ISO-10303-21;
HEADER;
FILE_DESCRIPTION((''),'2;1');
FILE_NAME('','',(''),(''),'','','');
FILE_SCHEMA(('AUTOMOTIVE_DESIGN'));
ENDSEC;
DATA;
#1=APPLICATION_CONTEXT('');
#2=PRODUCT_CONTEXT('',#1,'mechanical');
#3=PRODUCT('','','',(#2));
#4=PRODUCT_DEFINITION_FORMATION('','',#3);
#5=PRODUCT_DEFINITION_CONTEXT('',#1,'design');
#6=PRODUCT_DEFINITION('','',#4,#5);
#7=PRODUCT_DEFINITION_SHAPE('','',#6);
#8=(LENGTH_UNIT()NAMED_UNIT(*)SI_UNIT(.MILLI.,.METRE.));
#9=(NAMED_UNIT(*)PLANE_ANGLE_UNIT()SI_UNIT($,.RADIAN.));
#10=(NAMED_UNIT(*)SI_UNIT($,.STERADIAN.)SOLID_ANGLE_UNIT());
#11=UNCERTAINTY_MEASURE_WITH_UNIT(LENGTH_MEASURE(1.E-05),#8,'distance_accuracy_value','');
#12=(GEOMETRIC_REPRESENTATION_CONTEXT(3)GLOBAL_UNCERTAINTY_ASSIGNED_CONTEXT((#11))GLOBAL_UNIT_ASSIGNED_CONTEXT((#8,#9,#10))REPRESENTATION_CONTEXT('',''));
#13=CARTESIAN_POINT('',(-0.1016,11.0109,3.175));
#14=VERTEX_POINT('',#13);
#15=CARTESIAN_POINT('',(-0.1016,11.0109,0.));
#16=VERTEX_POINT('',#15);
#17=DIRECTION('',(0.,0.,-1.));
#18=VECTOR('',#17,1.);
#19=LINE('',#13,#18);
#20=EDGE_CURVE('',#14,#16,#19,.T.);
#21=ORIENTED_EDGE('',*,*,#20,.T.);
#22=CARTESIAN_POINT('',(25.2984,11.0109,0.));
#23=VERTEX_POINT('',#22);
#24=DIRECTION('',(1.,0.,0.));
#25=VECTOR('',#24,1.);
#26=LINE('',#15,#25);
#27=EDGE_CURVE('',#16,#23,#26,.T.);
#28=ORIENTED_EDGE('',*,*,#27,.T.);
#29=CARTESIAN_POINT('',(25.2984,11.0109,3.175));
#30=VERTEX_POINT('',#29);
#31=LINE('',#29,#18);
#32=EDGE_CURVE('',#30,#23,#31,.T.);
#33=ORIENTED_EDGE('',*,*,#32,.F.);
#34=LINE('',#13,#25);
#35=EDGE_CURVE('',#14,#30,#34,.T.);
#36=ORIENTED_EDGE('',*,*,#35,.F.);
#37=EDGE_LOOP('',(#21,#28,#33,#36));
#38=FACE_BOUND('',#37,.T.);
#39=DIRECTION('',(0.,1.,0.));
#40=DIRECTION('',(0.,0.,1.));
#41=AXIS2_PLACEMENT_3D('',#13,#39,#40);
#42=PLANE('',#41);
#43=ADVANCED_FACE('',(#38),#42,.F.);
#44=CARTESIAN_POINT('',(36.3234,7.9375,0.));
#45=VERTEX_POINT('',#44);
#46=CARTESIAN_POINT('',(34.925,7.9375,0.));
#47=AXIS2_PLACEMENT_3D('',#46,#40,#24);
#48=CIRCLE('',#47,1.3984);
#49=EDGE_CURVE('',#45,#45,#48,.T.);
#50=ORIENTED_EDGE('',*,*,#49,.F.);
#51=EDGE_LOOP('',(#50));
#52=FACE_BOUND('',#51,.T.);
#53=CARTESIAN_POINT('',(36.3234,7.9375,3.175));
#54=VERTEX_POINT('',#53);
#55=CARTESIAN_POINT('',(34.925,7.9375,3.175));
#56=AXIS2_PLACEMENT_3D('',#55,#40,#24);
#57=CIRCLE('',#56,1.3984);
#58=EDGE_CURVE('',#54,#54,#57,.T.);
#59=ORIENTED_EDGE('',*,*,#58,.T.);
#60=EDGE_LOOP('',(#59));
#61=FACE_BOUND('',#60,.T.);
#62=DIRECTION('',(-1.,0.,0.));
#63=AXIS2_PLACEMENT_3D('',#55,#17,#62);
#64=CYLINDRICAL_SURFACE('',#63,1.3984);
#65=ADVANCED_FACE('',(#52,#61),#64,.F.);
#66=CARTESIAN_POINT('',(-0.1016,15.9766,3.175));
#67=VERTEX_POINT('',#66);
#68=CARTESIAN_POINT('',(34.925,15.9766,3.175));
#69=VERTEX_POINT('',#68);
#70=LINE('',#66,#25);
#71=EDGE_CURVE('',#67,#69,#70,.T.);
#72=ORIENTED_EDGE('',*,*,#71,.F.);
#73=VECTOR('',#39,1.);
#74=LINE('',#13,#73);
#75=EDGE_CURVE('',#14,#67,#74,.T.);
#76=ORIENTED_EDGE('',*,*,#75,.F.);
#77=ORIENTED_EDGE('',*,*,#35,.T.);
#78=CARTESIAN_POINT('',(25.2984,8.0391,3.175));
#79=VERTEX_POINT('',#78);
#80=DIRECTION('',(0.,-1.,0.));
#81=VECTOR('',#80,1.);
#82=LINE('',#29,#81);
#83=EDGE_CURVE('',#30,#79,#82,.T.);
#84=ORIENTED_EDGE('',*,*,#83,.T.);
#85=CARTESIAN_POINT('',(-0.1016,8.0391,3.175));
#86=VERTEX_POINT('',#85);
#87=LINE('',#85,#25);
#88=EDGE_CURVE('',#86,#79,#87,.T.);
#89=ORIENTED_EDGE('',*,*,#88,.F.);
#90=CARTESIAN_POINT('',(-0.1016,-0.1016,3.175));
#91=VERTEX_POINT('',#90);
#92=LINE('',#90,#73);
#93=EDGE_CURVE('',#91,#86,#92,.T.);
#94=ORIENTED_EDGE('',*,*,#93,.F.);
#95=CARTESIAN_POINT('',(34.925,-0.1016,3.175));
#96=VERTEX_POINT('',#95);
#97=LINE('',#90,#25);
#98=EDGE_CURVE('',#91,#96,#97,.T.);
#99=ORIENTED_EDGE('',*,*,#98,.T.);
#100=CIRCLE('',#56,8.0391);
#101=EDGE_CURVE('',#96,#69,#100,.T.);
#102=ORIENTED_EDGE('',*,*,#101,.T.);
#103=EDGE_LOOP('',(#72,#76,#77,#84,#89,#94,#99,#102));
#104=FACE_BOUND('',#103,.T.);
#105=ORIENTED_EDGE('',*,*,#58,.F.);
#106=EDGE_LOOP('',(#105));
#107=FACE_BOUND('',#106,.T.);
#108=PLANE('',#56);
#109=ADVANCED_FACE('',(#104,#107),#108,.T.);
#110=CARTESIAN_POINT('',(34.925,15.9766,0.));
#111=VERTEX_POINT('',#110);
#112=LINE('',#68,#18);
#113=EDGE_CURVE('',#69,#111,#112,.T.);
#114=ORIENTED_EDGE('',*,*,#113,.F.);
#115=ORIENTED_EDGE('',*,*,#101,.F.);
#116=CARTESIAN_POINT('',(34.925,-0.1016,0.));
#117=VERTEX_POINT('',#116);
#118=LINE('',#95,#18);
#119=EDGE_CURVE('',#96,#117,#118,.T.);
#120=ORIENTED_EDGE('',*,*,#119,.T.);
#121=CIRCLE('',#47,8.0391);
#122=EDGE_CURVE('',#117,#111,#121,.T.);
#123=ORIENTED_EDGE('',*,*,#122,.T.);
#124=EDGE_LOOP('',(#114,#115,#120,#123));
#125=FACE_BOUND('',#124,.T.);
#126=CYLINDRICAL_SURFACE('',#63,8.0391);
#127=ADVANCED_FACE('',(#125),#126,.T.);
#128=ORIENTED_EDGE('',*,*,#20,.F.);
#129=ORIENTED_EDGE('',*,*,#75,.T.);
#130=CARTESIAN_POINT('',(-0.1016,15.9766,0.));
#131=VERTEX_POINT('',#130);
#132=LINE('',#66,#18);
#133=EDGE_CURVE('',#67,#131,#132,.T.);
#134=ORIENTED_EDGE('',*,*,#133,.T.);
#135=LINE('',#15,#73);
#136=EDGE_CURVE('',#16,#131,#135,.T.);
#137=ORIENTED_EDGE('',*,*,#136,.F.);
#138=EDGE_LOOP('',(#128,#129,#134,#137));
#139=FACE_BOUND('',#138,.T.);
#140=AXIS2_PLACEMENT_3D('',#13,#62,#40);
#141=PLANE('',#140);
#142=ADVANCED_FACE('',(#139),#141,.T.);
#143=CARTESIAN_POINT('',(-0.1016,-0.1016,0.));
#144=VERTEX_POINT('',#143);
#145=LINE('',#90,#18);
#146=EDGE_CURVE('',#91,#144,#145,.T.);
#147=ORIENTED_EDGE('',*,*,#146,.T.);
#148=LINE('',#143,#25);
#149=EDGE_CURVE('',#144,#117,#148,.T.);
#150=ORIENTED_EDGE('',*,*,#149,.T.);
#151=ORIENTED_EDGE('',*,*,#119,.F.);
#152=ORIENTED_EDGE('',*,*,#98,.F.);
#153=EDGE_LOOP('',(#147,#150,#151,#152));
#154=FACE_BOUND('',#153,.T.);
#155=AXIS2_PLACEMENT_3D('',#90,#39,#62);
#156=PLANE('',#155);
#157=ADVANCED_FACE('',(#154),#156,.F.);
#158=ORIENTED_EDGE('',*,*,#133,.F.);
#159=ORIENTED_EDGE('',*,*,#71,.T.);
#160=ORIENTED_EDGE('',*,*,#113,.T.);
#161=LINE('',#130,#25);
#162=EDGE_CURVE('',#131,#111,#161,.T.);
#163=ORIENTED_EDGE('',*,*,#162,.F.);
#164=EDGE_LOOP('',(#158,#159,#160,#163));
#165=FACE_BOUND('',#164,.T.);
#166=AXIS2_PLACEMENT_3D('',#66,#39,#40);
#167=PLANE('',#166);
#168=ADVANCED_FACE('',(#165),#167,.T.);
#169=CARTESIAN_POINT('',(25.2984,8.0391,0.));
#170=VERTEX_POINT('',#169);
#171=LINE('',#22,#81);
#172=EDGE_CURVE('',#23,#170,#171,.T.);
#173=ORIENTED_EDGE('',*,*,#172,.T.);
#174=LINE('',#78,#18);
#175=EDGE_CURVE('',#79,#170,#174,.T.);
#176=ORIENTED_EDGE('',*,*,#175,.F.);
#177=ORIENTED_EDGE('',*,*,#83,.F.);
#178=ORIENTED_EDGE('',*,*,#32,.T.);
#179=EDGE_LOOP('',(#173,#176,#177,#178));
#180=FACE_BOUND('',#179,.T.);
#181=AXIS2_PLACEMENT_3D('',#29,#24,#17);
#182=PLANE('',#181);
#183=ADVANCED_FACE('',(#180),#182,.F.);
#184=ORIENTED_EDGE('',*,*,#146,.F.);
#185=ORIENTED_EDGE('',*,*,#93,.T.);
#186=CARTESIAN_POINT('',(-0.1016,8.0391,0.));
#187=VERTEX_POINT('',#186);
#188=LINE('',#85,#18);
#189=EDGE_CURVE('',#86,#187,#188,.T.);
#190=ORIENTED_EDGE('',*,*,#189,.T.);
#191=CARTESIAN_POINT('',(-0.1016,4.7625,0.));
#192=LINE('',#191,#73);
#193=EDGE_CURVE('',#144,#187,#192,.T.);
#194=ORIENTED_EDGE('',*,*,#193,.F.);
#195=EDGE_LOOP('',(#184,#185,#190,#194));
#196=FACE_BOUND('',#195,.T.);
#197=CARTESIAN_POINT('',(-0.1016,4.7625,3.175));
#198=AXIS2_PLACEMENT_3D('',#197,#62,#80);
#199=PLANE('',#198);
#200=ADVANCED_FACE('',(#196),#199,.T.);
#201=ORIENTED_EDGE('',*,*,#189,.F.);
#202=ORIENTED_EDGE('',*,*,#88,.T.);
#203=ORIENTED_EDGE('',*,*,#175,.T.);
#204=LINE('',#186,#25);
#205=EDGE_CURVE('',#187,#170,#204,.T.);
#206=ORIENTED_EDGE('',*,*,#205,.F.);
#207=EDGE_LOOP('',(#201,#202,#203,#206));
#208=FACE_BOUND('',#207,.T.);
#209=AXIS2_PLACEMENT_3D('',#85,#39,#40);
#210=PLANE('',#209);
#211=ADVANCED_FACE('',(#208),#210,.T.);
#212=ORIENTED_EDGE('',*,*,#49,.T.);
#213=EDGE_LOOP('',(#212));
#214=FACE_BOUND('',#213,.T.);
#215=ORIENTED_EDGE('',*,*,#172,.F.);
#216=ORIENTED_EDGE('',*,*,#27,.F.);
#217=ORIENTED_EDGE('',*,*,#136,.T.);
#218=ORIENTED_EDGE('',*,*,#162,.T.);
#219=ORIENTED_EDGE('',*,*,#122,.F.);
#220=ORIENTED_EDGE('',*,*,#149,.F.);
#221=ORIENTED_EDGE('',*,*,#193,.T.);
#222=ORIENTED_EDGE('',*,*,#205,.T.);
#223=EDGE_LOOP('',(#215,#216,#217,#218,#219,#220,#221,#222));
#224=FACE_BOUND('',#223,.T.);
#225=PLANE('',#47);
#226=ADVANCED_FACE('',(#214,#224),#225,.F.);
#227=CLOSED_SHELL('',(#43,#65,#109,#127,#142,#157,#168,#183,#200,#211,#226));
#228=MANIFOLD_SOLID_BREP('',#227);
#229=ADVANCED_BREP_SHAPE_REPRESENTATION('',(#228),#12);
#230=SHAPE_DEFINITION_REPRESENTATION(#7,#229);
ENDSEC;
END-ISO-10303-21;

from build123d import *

# Parameters (mm, degrees)
SKETCH1_R           = 1.3984
BOSS_EXTRUDE1_DEPTH = 3.175


with BuildPart() as part:
    # Sketch1 → Boss-Extrude1 (new body)
    with BuildSketch(Plane.XY):
        with BuildLine():
            Line((-0.1016, 15.9766), (34.925, 15.9766))
            ThreePointArc((34.925, 15.9766), (42.9641, 7.9375), (34.925, -0.1016))
            Line((34.925, -0.1016), (-0.1016, -0.1016))
            Line((-0.1016, -0.1016), (-0.1016, 4.7625))
            Line((-0.1016, 4.7625), (-0.1016, 8.0391))
            Line((-0.1016, 8.0391), (25.2984, 8.0391))
            Line((25.2984, 8.0391), (25.2984, 11.0109))
            Line((25.2984, 11.0109), (-0.1016, 11.0109))
            Line((-0.1016, 11.0109), (-0.1016, 15.9766))
        make_face()
        with Locations((34.925, 7.9375)):
            Circle(SKETCH1_R, mode=Mode.SUBTRACT)
    extrude(amount=BOSS_EXTRUDE1_DEPTH)


solid = part.part
